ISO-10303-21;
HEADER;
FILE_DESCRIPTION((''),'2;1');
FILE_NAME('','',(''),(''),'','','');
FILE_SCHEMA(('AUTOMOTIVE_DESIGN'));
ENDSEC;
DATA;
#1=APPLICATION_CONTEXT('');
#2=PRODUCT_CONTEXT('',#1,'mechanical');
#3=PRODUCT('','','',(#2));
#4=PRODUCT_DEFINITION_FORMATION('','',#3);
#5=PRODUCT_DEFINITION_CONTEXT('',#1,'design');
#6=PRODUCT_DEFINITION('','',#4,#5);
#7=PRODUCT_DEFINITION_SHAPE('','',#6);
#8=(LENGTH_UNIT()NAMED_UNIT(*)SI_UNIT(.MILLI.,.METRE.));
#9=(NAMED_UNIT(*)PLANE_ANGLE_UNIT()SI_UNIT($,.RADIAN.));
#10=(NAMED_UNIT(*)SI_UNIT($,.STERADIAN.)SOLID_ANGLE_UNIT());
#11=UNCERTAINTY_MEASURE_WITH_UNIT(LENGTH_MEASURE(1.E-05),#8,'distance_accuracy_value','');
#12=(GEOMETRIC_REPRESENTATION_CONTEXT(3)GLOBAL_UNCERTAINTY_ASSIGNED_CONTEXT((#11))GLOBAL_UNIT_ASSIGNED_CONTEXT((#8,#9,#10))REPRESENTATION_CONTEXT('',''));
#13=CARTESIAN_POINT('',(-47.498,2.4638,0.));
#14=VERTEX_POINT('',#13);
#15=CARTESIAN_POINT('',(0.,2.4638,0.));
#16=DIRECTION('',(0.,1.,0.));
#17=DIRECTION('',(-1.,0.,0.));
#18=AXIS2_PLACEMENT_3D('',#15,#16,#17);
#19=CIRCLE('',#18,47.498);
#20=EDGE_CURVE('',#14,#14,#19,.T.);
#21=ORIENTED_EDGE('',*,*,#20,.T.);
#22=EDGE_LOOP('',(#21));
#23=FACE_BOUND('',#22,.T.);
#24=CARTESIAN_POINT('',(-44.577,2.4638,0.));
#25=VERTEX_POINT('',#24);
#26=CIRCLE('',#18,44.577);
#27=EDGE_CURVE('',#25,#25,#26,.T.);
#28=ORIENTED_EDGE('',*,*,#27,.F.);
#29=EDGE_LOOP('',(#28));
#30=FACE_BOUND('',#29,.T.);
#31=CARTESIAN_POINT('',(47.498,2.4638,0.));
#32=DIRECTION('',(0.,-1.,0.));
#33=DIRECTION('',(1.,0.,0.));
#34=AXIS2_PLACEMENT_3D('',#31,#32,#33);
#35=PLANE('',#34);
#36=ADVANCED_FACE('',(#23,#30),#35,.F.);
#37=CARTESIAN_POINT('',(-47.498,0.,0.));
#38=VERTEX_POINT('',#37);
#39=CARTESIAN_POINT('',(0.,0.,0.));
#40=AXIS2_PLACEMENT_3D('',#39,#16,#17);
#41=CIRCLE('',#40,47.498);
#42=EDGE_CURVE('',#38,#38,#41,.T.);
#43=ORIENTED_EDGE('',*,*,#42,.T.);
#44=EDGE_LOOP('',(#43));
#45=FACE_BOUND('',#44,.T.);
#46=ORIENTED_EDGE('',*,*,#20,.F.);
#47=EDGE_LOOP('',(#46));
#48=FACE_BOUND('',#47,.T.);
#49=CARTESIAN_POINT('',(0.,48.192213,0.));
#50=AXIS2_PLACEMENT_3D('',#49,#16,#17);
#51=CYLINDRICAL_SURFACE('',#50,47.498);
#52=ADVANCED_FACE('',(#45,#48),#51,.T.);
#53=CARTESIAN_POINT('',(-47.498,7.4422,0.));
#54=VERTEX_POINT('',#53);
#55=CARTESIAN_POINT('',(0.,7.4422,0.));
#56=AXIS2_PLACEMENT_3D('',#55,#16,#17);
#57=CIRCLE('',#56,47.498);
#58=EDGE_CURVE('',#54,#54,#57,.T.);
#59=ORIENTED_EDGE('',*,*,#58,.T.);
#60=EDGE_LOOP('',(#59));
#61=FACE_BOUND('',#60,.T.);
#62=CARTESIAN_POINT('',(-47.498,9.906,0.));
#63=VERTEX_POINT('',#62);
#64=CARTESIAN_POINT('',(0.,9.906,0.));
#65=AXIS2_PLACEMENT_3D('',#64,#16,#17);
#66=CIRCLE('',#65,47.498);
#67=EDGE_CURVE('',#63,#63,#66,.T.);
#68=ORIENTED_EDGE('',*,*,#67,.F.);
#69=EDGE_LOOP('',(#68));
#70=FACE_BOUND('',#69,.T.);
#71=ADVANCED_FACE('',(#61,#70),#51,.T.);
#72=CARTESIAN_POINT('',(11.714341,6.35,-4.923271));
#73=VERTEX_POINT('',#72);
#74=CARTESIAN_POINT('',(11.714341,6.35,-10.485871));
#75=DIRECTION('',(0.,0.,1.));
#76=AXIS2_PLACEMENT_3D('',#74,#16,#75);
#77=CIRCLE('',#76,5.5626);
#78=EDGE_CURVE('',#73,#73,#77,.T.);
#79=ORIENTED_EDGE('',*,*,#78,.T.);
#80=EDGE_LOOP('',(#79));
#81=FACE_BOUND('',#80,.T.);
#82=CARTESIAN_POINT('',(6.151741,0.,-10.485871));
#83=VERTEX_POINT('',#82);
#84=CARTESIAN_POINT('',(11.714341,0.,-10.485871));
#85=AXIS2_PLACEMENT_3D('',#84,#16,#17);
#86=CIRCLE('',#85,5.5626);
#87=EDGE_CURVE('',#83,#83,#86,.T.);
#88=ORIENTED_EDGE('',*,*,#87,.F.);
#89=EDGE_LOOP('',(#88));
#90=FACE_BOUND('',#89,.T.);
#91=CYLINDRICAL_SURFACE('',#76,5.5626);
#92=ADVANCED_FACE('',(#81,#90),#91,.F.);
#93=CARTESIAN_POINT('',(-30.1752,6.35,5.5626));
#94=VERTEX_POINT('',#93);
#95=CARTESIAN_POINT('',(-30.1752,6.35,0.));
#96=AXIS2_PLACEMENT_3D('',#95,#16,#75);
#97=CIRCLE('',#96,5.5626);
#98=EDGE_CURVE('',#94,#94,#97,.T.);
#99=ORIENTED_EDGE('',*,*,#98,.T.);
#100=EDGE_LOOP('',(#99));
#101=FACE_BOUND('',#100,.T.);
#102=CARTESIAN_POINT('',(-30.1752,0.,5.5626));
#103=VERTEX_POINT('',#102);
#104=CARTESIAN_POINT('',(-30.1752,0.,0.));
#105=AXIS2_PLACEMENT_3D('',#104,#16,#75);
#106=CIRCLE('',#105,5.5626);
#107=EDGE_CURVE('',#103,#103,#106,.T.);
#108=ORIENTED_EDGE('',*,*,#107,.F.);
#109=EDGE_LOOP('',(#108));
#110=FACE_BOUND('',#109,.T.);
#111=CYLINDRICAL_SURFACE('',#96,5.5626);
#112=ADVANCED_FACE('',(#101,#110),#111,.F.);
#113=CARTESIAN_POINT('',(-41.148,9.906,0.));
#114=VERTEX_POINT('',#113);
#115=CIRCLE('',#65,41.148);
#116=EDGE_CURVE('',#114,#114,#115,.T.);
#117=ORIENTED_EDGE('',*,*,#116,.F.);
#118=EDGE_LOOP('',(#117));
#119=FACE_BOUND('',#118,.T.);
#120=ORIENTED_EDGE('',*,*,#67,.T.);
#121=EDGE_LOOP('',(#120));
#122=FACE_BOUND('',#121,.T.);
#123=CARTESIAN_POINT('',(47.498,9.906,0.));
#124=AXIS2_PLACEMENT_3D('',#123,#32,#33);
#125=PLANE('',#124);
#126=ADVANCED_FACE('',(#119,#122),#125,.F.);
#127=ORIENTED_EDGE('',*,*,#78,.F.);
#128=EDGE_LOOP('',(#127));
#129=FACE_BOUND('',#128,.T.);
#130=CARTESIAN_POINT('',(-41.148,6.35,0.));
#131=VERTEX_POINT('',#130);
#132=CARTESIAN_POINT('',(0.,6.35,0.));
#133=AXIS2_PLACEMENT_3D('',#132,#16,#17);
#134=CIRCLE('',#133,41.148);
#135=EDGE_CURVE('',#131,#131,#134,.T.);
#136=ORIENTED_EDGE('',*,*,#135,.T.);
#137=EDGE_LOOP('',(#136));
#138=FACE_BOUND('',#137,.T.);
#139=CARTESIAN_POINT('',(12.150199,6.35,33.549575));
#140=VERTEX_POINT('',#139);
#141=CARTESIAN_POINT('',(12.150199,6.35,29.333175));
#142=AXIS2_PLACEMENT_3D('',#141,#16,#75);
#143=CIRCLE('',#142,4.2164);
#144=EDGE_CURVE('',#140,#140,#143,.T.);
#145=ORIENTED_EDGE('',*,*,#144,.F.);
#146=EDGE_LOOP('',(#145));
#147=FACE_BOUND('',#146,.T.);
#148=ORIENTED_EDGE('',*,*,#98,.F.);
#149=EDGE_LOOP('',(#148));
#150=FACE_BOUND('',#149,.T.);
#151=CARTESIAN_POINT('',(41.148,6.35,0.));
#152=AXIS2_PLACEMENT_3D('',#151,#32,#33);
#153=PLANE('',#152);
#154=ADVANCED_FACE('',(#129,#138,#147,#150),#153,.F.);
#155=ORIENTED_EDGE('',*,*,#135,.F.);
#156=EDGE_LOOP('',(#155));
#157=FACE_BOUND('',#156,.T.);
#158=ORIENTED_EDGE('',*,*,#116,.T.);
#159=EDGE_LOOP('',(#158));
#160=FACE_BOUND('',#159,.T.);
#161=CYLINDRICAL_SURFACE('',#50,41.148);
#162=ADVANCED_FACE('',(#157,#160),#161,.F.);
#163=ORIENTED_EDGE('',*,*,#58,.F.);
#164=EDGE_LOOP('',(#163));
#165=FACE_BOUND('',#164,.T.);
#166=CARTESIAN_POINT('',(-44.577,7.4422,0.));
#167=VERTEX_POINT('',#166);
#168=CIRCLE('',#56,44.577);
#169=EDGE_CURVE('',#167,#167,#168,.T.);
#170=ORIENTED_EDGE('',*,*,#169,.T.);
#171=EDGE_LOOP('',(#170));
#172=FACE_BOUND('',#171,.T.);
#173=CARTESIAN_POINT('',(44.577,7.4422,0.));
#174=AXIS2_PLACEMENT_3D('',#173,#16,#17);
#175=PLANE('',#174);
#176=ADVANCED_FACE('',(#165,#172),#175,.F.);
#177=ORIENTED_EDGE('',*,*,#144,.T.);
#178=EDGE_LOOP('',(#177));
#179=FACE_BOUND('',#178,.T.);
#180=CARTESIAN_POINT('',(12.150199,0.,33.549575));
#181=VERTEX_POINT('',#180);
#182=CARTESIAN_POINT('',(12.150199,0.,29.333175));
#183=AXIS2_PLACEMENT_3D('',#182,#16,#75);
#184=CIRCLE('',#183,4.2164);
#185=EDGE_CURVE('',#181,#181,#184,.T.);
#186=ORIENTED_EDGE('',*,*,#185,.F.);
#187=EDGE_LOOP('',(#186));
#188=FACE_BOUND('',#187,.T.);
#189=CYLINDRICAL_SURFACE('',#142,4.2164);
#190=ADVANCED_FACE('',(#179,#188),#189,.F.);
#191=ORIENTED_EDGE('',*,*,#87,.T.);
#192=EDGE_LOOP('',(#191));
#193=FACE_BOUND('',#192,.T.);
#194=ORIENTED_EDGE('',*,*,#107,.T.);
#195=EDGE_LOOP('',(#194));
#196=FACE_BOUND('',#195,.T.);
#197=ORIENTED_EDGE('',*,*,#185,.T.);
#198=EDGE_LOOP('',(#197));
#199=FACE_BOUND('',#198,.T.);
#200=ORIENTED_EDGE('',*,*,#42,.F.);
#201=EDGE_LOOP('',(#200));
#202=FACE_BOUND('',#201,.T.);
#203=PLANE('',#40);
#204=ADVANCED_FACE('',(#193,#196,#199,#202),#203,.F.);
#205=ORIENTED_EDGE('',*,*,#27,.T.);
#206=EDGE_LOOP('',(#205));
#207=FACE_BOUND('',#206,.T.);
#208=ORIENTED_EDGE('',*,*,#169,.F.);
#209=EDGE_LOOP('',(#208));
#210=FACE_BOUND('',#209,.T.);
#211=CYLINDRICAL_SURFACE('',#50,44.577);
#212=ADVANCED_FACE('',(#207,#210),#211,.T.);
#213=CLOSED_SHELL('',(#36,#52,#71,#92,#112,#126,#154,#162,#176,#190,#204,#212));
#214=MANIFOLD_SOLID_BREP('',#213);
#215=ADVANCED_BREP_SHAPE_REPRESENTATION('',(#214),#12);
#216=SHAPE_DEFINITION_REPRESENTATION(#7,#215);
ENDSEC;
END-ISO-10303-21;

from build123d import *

# Parameters (mm, degrees)
PIPE_TAP_DRILL_FOR_1_4_TAP1_D = 11.1252
PIPE_TAP_DRILL_FOR_1_8_TAP1_D = 8.4328
SKETCH6_R                     = 6.35
BOSS_EXTRUDE1_DEPTH           = 6.35
PIPE_TAP_DRILL_FOR_1_4_TAP2_D = 11.1252


with BuildPart() as part:
    # Sketch1 → Revolve1 (revolve)
    with BuildSketch(Plane.XY, mode=Mode.PRIVATE) as revolve1_sk:
        Polygon((0, 0), (47.498, 0), (47.498, 2.4638), (44.577, 2.4638), (44.577, 7.4422), (47.498, 7.4422), (47.498, 9.906), (41.148, 9.906), (41.148, 6.35), (0, 6.35), align=None)
    revolve(revolve1_sk.sketch.rotate(Axis((0, 48.192213231, 0), (0, -1, 0)), 180), axis=Axis((0, 48.192213231, 0), (0, -1, 0)))

    # Pipe Tap Drill for 1/4 Tap1 (through all)
    with Locations(Plane(origin=(0, 6.35, 0), x_dir=(1, 0, 0), z_dir=(0, 1, 0))):
        with Locations((0, 0), (-30.1752, 0)):
            Hole(PIPE_TAP_DRILL_FOR_1_4_TAP1_D / 2)

    # Pipe Tap Drill for 1/8 Tap1 (through all)
    with Locations(Plane(origin=(0, 6.35, 0), x_dir=(1, 0, 0), z_dir=(0, 1, 0))):
        with Locations((12.150198978, -29.333175157)):
            Hole(PIPE_TAP_DRILL_FOR_1_8_TAP1_D / 2)

    # Sketch6 → Boss-Extrude1 (add)
    with BuildSketch(Plane(origin=(0, 6.35, 0), x_dir=(1, 0, 0), z_dir=(0, 1, 0))):
        Circle(SKETCH6_R)
    extrude(amount=-BOSS_EXTRUDE1_DEPTH)

    # Pipe Tap Drill for 1/4 Tap2 (through all)
    with Locations(Plane(origin=(0, 6.35, 0), x_dir=(1, 0, 0), z_dir=(0, 1, 0))):
        with Locations((11.714341144, 10.485870911)):
            Hole(PIPE_TAP_DRILL_FOR_1_4_TAP2_D / 2)


solid = part.part
